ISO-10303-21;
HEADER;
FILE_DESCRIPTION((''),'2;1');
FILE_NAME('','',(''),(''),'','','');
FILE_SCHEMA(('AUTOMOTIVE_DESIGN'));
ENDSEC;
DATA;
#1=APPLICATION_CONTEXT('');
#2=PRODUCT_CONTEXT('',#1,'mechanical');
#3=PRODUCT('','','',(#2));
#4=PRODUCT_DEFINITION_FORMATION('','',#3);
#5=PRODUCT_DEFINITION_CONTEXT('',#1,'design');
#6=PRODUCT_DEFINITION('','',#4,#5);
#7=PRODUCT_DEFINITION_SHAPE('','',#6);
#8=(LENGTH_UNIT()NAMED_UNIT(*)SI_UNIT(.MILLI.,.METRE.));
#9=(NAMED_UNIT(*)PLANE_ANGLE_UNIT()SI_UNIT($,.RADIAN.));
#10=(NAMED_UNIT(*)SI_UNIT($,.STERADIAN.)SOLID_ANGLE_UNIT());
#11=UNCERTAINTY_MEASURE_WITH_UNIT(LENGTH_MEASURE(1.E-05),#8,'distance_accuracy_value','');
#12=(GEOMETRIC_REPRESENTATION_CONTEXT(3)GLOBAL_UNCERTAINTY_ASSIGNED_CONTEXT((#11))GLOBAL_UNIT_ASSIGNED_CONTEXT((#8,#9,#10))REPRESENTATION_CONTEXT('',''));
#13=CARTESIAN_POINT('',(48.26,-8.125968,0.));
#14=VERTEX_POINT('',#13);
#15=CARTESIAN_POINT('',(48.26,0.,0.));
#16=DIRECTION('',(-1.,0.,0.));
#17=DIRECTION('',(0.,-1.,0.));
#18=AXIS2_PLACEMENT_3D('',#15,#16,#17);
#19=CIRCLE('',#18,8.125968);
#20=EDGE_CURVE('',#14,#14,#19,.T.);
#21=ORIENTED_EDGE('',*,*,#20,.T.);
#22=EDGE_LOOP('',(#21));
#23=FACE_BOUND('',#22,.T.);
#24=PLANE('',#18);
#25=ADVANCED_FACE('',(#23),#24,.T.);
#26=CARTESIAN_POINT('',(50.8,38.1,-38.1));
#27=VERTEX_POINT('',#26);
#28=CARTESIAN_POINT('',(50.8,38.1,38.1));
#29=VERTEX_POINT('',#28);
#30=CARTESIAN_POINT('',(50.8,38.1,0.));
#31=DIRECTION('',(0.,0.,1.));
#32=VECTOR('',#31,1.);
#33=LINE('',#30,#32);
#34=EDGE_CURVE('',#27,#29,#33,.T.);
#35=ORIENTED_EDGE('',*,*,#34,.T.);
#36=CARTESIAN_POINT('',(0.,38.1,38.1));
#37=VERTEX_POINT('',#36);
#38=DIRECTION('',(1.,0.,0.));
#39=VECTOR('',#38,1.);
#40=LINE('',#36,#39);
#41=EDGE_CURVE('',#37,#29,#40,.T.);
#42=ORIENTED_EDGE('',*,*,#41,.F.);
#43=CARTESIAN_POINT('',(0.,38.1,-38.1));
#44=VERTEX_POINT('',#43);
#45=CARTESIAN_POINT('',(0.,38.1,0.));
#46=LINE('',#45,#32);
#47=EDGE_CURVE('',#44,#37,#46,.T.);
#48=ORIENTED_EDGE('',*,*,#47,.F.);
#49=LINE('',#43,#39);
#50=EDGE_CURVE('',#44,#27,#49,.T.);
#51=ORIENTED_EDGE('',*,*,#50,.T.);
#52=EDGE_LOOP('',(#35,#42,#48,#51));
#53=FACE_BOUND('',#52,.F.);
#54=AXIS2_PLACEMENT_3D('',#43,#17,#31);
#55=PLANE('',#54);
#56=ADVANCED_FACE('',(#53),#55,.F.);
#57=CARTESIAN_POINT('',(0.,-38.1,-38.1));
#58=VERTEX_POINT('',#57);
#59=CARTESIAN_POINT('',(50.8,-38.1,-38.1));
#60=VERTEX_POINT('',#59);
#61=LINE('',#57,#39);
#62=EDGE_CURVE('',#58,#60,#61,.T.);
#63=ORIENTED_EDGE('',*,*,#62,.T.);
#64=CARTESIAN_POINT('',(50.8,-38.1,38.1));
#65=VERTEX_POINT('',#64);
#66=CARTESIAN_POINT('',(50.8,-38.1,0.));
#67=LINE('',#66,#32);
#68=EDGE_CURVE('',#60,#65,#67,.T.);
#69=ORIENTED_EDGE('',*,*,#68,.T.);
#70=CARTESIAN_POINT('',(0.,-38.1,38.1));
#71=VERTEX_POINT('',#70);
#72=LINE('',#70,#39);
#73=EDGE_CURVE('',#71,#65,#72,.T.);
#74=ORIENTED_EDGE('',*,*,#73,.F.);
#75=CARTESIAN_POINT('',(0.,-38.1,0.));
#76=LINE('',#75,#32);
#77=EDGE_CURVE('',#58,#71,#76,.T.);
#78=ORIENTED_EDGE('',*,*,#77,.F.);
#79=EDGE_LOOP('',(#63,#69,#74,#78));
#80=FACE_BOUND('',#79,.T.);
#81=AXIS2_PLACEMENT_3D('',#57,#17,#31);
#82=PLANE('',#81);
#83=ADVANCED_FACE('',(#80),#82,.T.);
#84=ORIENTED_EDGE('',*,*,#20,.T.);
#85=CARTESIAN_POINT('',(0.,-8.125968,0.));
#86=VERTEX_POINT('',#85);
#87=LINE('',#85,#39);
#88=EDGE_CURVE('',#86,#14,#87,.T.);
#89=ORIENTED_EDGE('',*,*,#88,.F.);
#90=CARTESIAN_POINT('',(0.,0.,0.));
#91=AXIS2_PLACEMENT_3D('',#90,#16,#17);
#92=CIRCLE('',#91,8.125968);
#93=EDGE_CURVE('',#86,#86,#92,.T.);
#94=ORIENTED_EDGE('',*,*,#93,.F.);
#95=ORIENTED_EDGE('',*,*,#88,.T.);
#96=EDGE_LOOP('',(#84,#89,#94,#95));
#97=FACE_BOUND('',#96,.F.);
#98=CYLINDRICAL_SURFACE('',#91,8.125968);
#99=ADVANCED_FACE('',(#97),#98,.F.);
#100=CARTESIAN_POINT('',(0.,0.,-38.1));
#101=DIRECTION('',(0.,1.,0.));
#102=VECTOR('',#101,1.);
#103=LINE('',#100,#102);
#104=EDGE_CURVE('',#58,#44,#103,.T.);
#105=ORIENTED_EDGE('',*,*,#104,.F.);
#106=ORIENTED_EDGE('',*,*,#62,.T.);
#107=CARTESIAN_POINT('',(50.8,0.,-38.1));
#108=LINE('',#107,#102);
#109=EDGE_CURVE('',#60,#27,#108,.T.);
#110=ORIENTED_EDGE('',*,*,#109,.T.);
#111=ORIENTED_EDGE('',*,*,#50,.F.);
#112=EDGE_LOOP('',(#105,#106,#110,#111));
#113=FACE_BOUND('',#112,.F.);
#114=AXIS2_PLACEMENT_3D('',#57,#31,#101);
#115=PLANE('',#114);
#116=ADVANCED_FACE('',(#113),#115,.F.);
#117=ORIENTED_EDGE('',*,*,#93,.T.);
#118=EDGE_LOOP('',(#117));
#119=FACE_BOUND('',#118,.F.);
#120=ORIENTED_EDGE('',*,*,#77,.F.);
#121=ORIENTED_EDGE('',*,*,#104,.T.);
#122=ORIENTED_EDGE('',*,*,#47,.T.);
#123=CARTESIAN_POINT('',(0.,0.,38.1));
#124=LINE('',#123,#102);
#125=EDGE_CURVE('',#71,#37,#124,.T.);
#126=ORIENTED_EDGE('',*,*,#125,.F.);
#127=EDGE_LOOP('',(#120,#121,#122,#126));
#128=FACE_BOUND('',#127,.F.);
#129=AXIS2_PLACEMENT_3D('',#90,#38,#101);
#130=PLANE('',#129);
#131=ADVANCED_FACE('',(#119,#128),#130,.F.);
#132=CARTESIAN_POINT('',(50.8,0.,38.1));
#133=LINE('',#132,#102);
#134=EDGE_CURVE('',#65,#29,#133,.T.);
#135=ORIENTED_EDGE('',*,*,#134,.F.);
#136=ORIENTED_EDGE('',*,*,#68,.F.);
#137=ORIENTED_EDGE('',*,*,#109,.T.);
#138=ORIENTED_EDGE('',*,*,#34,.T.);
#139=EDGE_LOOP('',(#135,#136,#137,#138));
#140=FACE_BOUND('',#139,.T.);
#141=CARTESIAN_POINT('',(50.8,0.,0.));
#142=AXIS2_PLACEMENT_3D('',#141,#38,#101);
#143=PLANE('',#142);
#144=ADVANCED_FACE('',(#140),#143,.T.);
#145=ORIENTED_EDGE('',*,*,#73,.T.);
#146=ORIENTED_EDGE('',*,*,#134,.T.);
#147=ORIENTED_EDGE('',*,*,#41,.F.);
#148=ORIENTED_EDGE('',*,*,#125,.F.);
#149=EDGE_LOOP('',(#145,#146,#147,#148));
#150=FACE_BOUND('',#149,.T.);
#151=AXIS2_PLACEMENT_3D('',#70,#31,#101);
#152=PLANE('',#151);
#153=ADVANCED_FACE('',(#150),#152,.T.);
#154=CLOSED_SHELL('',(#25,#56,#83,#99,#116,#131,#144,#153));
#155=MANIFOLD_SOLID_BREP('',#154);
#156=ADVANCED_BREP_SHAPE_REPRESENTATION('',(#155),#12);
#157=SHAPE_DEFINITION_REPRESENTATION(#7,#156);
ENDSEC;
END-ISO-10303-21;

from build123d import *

# Parameters (mm, degrees)
F0_W     = 76.2
F0_H     = 76.2
F1_DEPTH = 50.8
F2_R     = 8.125968
F3_DEPTH = 48.26


with BuildPart() as f1:
    # F0 (on Right) → F1 (new body)
    with BuildSketch(Plane.YZ):
        Rectangle(F0_W, F0_H)
    extrude(amount=F1_DEPTH)

    # F2 (on face) → F3 (cut)
    with BuildSketch(Plane(origin=(0, 0, 0), x_dir=(0, -1, 0), z_dir=(-1, 0, 0))):
        Circle(F2_R)
    extrude(amount=-F3_DEPTH, mode=Mode.SUBTRACT)


solid = f1.part
